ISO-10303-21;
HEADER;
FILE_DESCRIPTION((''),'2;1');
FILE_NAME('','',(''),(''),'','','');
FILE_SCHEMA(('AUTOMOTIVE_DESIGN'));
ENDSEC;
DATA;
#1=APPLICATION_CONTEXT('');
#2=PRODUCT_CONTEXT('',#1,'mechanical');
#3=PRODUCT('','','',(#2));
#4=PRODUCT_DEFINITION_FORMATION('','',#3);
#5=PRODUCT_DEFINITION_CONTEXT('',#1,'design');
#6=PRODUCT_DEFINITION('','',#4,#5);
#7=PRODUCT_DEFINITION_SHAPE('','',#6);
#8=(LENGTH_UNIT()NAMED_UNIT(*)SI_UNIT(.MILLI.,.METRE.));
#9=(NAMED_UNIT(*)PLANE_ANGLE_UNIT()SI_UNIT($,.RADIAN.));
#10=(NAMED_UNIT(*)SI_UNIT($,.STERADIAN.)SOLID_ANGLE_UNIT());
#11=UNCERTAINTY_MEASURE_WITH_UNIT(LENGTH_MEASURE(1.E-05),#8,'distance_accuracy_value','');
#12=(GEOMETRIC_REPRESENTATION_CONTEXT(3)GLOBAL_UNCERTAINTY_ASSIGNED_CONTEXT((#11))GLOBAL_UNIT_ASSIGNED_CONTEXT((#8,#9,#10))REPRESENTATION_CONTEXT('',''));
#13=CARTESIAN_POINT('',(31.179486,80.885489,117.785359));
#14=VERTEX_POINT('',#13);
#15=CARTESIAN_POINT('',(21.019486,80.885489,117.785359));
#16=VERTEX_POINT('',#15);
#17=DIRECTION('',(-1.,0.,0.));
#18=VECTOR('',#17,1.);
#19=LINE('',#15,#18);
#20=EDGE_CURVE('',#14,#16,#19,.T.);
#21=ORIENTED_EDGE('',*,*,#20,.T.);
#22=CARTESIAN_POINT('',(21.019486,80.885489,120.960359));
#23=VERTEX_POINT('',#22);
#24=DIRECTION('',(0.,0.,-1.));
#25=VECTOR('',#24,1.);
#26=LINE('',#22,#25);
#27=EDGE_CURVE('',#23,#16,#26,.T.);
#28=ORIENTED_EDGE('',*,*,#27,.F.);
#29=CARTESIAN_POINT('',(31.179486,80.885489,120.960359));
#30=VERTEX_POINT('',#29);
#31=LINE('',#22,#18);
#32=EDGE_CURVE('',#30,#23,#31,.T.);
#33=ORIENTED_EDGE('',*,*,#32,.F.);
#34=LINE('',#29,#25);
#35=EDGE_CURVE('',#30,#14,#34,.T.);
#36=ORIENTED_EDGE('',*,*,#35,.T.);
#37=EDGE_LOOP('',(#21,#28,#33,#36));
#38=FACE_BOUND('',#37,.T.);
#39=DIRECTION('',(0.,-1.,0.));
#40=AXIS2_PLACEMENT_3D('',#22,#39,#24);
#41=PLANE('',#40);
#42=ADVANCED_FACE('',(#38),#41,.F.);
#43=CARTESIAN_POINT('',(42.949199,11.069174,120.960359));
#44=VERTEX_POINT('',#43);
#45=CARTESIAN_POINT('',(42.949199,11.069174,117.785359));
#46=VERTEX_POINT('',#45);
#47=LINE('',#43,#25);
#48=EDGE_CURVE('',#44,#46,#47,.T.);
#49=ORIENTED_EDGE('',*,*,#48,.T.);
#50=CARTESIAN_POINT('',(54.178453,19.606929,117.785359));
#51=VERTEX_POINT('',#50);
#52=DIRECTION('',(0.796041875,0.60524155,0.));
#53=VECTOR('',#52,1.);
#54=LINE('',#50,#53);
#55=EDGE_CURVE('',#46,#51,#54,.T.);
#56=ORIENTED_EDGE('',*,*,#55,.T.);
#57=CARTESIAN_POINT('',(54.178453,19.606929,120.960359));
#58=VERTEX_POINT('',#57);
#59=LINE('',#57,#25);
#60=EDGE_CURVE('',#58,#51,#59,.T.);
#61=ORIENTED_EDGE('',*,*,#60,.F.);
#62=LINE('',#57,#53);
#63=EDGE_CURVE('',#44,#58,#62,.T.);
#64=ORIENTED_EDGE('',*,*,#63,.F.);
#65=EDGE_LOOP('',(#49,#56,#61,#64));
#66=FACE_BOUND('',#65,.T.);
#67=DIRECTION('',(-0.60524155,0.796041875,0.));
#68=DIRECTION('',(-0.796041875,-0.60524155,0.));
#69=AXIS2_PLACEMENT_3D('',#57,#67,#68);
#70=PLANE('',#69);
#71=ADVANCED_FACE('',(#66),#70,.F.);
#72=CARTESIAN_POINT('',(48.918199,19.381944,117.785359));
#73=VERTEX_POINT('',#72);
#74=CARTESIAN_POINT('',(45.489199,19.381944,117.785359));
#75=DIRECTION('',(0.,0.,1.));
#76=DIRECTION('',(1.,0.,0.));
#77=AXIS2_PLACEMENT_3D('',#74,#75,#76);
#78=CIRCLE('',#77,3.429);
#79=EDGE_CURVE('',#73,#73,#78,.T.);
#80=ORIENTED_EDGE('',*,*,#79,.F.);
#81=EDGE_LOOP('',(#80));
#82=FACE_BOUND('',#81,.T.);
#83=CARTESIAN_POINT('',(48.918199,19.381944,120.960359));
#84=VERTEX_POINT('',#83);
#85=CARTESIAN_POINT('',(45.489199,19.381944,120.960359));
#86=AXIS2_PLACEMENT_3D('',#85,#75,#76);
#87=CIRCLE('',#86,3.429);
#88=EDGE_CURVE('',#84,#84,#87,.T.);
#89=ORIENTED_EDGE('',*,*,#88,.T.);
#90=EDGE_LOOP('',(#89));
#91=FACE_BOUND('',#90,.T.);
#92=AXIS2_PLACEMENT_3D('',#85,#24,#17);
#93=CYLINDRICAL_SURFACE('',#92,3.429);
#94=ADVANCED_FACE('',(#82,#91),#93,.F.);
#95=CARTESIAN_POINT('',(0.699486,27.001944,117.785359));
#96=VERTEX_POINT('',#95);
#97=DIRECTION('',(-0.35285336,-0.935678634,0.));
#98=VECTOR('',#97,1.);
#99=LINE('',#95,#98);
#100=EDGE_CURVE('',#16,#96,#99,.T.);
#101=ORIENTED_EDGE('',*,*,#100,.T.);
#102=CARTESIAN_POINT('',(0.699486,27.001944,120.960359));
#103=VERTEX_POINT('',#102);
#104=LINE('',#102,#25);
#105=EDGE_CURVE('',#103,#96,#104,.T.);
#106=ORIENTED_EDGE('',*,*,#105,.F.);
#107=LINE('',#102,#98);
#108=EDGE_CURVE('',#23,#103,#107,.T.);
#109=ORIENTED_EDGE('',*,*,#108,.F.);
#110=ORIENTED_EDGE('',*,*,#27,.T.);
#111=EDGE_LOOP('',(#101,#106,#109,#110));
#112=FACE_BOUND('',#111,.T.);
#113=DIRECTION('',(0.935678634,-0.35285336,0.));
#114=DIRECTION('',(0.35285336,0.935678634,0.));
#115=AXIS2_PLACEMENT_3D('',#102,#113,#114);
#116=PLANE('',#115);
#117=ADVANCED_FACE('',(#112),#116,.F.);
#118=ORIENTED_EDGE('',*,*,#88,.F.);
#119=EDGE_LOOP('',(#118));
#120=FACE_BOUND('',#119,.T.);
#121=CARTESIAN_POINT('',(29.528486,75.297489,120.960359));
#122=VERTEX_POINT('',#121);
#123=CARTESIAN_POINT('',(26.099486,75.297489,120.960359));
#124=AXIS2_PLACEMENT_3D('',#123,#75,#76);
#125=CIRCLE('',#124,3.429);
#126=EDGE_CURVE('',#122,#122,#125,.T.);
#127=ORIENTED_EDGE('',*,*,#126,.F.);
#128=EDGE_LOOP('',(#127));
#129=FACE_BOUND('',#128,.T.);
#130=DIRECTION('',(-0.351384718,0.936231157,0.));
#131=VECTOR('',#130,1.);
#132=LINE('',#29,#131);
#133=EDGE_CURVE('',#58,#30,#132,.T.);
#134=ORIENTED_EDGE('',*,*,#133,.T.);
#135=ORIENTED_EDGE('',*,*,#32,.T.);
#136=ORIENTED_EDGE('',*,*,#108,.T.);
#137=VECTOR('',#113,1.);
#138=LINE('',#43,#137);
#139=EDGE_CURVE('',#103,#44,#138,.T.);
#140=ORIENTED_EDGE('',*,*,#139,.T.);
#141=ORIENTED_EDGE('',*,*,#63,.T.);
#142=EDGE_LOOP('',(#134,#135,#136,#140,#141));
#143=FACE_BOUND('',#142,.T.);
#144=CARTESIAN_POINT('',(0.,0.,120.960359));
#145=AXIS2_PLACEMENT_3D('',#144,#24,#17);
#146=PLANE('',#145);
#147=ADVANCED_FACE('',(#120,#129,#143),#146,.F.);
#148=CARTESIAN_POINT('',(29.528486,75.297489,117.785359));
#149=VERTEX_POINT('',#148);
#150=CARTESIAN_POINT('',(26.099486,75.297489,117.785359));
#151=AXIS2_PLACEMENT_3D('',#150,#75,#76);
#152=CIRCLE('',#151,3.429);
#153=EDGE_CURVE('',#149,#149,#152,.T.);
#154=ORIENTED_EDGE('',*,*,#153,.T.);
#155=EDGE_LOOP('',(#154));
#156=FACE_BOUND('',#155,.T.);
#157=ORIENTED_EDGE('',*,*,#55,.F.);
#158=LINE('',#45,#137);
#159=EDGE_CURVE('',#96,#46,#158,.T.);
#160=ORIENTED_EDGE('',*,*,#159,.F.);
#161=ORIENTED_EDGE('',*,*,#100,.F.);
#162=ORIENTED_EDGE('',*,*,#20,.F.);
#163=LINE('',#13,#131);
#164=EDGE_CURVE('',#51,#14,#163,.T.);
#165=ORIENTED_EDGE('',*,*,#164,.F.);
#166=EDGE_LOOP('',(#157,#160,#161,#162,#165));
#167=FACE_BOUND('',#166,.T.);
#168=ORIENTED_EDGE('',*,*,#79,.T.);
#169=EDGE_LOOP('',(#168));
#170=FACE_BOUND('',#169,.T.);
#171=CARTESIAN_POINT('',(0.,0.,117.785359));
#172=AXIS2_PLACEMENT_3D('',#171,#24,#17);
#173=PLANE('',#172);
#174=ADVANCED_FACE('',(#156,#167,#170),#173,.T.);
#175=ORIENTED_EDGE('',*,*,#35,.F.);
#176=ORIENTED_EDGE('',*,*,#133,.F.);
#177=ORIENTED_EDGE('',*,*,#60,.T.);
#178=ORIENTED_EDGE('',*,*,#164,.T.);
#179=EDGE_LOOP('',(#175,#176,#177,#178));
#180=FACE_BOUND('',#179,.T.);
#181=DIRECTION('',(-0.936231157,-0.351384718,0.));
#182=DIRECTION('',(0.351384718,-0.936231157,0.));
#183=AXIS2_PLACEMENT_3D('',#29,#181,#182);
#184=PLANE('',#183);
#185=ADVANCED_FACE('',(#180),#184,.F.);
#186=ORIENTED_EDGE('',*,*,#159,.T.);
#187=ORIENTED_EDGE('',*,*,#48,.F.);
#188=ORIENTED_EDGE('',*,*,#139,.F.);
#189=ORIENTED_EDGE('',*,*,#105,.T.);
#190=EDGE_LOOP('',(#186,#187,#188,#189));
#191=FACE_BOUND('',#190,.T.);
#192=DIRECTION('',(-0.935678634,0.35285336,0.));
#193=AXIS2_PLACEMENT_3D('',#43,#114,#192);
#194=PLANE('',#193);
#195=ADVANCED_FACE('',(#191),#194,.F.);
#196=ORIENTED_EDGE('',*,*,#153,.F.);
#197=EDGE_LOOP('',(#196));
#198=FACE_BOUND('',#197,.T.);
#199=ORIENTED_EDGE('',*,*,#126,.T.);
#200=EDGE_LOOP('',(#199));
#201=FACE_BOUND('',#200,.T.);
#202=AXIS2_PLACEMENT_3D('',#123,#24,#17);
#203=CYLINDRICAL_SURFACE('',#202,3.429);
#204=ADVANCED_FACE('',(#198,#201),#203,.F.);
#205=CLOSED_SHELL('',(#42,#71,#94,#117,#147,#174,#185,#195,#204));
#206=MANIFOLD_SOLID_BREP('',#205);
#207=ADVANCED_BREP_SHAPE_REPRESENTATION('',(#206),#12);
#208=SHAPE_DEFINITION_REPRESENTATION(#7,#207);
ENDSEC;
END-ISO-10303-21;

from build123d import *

# Parameters (mm, degrees)
SKETCH1_R           = 3.429
BOSS_EXTRUDE1_DEPTH = 3.175


with BuildPart() as part:
    # Sketch1 → Boss-Extrude1 (new body)
    with BuildSketch(Plane.XY.offset(117.785358826)):
        Polygon((54.178453288, 19.606929499), (42.949199141, 11.069173633), (0.699486381, 27.001944289), (21.019486381, 80.885489203), (31.179486381, 80.885489203), align=None)
        with Locations((45.489199141, 19.381944289)):
            Circle(SKETCH1_R, mode=Mode.SUBTRACT)
        with Locations((26.099486381, 75.297489203)):
            Circle(SKETCH1_R, mode=Mode.SUBTRACT)
    extrude(amount=BOSS_EXTRUDE1_DEPTH)


solid = part.part
